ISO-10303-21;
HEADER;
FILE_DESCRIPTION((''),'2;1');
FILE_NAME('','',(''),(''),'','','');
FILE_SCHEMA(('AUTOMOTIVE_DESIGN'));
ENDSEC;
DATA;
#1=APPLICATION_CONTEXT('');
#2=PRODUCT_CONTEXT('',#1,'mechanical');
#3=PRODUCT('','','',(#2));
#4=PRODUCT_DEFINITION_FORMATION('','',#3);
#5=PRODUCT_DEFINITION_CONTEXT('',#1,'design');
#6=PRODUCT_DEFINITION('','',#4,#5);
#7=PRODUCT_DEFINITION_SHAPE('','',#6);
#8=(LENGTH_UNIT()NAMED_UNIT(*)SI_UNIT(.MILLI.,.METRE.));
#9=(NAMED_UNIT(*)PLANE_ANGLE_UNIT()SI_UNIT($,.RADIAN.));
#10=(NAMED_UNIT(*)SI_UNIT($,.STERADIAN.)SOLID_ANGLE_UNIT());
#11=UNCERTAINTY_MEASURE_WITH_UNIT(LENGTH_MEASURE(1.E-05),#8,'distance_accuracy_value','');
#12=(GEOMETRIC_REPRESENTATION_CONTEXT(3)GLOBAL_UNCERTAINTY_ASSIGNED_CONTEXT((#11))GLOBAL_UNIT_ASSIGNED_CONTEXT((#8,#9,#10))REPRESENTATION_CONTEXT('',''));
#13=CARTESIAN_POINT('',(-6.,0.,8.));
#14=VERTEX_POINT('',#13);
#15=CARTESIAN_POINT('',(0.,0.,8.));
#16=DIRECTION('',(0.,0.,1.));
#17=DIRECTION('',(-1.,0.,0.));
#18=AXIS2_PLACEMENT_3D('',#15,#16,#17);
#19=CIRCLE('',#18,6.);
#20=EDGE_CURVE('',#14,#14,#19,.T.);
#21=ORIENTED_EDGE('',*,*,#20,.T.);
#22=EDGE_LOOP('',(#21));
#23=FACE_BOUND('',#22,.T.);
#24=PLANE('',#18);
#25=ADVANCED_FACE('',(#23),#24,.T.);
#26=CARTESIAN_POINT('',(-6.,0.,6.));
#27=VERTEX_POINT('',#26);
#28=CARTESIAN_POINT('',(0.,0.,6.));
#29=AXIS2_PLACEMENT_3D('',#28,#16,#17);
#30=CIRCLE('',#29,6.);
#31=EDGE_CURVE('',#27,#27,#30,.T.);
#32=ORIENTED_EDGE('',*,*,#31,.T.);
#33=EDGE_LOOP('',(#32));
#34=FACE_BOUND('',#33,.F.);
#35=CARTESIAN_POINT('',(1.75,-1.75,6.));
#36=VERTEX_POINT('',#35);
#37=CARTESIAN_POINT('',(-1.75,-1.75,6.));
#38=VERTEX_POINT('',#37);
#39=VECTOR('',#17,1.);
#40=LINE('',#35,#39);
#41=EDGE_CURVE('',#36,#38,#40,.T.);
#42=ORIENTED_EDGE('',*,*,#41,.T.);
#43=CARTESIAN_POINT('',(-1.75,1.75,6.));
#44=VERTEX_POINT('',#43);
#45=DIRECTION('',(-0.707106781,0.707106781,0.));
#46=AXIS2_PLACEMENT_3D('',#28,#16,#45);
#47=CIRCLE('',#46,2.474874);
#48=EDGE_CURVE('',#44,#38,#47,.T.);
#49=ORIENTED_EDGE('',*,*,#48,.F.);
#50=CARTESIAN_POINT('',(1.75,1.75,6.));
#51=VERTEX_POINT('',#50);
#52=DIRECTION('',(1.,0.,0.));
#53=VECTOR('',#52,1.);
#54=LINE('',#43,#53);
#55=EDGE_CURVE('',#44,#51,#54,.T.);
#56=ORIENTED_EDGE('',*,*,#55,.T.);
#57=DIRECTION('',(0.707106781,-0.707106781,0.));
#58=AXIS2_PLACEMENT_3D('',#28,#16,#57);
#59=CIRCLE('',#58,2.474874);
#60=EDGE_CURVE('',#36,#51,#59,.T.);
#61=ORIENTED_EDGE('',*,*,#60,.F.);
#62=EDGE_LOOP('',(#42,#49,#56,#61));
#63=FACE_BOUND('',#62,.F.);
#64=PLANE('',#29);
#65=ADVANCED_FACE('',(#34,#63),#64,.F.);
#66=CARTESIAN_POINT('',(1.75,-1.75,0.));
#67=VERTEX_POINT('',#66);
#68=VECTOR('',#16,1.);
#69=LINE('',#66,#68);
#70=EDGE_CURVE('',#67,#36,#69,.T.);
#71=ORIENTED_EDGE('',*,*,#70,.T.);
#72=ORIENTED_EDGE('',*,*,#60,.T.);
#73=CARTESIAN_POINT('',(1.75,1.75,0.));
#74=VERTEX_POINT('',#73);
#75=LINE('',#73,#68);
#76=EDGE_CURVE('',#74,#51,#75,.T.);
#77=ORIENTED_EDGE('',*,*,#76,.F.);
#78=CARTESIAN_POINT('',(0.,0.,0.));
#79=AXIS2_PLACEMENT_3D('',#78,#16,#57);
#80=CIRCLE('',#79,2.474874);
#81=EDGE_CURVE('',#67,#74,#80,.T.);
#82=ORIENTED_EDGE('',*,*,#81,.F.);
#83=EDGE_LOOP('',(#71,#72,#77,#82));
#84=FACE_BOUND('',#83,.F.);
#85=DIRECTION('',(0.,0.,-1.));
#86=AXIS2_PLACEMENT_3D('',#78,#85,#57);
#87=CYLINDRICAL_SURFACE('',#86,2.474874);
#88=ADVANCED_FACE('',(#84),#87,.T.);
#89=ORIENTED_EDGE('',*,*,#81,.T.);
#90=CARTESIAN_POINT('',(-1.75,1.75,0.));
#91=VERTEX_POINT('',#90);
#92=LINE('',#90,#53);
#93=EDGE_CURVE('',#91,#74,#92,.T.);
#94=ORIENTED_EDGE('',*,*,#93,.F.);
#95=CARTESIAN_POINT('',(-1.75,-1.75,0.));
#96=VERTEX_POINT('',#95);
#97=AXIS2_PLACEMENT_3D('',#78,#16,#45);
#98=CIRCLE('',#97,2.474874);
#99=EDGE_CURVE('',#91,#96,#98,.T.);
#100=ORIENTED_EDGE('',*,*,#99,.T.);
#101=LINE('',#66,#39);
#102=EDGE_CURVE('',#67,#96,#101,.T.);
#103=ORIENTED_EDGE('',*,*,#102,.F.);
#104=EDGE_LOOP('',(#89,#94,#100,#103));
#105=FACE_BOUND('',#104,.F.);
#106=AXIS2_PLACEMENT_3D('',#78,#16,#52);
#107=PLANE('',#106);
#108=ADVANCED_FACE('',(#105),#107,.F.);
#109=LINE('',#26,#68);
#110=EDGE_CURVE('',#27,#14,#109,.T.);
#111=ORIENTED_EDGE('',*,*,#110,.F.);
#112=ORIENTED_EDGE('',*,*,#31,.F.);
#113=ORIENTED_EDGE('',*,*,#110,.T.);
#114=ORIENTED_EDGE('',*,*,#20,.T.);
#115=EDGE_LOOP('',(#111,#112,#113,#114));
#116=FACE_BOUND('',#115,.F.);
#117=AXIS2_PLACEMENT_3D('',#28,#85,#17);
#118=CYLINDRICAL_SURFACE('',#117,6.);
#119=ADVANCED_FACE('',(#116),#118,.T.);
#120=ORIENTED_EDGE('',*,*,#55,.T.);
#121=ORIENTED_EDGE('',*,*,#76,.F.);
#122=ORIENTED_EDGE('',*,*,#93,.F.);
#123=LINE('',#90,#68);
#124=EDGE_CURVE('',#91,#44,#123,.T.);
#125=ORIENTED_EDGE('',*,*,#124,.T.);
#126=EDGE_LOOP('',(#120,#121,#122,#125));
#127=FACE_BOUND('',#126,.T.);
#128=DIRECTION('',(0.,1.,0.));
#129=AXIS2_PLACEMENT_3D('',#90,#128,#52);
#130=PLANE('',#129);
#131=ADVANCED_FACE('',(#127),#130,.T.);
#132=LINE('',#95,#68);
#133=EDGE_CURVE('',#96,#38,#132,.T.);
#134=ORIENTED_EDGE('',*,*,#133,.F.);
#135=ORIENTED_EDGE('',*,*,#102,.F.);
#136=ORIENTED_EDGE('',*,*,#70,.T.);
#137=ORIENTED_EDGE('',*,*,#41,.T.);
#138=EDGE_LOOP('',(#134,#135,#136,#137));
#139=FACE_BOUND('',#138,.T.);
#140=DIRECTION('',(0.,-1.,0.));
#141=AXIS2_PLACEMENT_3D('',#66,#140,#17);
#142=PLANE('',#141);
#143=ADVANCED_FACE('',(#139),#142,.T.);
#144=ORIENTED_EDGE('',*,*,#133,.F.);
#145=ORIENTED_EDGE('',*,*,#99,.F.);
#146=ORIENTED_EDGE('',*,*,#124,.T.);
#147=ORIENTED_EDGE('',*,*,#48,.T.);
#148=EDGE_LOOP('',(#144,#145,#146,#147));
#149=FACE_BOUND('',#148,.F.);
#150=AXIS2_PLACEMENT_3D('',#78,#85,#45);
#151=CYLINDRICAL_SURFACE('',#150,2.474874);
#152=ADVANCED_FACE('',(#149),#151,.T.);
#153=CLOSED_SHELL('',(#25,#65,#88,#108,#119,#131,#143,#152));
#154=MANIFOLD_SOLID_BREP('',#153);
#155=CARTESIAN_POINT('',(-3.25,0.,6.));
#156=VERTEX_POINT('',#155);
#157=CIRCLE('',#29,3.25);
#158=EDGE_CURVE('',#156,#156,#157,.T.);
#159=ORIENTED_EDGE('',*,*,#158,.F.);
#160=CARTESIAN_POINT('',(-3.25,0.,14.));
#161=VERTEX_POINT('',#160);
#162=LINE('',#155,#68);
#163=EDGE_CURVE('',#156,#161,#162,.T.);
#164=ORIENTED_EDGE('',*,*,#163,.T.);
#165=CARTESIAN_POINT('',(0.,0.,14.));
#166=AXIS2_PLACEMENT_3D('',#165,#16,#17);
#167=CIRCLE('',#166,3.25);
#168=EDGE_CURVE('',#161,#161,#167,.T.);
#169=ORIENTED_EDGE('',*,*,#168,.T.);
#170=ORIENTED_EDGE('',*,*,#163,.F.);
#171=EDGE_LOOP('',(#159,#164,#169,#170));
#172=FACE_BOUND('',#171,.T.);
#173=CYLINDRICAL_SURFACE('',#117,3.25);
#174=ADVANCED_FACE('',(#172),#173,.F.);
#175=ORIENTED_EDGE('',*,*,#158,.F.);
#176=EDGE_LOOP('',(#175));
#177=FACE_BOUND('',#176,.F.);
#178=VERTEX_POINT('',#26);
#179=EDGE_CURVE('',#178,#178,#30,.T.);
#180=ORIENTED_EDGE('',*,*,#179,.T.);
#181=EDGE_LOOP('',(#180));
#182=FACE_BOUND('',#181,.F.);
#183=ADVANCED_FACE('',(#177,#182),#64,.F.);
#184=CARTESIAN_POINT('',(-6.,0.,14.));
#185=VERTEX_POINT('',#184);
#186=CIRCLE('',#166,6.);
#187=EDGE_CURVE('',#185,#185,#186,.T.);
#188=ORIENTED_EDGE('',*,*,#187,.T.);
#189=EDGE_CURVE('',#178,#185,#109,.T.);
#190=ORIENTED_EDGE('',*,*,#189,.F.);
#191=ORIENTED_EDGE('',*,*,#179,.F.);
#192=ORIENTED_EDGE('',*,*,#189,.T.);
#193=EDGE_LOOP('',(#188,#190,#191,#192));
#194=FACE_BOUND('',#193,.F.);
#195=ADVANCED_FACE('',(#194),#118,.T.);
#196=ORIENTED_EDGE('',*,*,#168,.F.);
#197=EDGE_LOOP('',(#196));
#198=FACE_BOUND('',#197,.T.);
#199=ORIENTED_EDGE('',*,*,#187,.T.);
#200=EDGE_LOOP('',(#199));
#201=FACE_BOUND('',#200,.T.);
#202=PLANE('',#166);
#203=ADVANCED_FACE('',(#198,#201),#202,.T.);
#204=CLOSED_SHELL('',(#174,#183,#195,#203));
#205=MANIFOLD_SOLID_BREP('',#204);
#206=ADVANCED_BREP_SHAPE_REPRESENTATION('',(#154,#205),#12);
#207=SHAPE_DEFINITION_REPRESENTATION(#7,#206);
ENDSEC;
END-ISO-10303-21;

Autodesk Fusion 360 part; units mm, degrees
sketch "Sketch1" plane through (0, 0, 0) normal (0, 0, 1) x (1, 0, 0)
  line L0 (1.75, -1.75) -> (-1.75, -1.75)
  line L1 (-1.75, -1.75) -> (-1.75, 1.75)
  line L2 (-1.75, 1.75) -> (1.75, 1.75)
  line L3 (1.75, 1.75) -> (1.75, -1.75)
  line L4 (1.75, -1.75) -> (-1.75, 1.75) construction
  line L5 (-1.75, -1.75) -> (1.75, 1.75) construction
  arc A0 (-1.75, 1.75) -> (-1.75, -1.75) centre (0, 0) ccw
  arc A1 (1.75, -1.75) -> (1.75, 1.75) centre (0, 0) ccw
  dimension "d1" = 3.5
  dimension "d2" = 3.5
extrude "Extrude1" add sketch "Sketch1" along normal blind 6 makes body 1
sketch "Sketch2" plane through (0, 0, 6) normal (0, 0, 1) x (-1, 0, 0)
  arc A0 (1.75, -1.75) -> (1.75, 1.75) centre (0, 0) ccw
  line L0 (1.75, 1.75) -> (-1.75, 1.75)
  arc A1 (-1.75, 1.75) -> (-1.75, -1.75) centre (0, 0) ccw
  line L1 (-1.75, -1.75) -> (1.75, -1.75)
  circle A2 centre (0, 0) radius 6
  circle A3 centre (0, 0) radius 3.25
  dimension "d5" = 12
  dimension "d6" = 6.5
extrude "Extrude2" add sketch "Sketch2" along normal blind 2 contours A0 L0 A1 L1 | A2 | A3 bodies 1
extrude "Extrude3" add sketch "Sketch2" along normal blind 8 separate body contours A2 makes body 2
